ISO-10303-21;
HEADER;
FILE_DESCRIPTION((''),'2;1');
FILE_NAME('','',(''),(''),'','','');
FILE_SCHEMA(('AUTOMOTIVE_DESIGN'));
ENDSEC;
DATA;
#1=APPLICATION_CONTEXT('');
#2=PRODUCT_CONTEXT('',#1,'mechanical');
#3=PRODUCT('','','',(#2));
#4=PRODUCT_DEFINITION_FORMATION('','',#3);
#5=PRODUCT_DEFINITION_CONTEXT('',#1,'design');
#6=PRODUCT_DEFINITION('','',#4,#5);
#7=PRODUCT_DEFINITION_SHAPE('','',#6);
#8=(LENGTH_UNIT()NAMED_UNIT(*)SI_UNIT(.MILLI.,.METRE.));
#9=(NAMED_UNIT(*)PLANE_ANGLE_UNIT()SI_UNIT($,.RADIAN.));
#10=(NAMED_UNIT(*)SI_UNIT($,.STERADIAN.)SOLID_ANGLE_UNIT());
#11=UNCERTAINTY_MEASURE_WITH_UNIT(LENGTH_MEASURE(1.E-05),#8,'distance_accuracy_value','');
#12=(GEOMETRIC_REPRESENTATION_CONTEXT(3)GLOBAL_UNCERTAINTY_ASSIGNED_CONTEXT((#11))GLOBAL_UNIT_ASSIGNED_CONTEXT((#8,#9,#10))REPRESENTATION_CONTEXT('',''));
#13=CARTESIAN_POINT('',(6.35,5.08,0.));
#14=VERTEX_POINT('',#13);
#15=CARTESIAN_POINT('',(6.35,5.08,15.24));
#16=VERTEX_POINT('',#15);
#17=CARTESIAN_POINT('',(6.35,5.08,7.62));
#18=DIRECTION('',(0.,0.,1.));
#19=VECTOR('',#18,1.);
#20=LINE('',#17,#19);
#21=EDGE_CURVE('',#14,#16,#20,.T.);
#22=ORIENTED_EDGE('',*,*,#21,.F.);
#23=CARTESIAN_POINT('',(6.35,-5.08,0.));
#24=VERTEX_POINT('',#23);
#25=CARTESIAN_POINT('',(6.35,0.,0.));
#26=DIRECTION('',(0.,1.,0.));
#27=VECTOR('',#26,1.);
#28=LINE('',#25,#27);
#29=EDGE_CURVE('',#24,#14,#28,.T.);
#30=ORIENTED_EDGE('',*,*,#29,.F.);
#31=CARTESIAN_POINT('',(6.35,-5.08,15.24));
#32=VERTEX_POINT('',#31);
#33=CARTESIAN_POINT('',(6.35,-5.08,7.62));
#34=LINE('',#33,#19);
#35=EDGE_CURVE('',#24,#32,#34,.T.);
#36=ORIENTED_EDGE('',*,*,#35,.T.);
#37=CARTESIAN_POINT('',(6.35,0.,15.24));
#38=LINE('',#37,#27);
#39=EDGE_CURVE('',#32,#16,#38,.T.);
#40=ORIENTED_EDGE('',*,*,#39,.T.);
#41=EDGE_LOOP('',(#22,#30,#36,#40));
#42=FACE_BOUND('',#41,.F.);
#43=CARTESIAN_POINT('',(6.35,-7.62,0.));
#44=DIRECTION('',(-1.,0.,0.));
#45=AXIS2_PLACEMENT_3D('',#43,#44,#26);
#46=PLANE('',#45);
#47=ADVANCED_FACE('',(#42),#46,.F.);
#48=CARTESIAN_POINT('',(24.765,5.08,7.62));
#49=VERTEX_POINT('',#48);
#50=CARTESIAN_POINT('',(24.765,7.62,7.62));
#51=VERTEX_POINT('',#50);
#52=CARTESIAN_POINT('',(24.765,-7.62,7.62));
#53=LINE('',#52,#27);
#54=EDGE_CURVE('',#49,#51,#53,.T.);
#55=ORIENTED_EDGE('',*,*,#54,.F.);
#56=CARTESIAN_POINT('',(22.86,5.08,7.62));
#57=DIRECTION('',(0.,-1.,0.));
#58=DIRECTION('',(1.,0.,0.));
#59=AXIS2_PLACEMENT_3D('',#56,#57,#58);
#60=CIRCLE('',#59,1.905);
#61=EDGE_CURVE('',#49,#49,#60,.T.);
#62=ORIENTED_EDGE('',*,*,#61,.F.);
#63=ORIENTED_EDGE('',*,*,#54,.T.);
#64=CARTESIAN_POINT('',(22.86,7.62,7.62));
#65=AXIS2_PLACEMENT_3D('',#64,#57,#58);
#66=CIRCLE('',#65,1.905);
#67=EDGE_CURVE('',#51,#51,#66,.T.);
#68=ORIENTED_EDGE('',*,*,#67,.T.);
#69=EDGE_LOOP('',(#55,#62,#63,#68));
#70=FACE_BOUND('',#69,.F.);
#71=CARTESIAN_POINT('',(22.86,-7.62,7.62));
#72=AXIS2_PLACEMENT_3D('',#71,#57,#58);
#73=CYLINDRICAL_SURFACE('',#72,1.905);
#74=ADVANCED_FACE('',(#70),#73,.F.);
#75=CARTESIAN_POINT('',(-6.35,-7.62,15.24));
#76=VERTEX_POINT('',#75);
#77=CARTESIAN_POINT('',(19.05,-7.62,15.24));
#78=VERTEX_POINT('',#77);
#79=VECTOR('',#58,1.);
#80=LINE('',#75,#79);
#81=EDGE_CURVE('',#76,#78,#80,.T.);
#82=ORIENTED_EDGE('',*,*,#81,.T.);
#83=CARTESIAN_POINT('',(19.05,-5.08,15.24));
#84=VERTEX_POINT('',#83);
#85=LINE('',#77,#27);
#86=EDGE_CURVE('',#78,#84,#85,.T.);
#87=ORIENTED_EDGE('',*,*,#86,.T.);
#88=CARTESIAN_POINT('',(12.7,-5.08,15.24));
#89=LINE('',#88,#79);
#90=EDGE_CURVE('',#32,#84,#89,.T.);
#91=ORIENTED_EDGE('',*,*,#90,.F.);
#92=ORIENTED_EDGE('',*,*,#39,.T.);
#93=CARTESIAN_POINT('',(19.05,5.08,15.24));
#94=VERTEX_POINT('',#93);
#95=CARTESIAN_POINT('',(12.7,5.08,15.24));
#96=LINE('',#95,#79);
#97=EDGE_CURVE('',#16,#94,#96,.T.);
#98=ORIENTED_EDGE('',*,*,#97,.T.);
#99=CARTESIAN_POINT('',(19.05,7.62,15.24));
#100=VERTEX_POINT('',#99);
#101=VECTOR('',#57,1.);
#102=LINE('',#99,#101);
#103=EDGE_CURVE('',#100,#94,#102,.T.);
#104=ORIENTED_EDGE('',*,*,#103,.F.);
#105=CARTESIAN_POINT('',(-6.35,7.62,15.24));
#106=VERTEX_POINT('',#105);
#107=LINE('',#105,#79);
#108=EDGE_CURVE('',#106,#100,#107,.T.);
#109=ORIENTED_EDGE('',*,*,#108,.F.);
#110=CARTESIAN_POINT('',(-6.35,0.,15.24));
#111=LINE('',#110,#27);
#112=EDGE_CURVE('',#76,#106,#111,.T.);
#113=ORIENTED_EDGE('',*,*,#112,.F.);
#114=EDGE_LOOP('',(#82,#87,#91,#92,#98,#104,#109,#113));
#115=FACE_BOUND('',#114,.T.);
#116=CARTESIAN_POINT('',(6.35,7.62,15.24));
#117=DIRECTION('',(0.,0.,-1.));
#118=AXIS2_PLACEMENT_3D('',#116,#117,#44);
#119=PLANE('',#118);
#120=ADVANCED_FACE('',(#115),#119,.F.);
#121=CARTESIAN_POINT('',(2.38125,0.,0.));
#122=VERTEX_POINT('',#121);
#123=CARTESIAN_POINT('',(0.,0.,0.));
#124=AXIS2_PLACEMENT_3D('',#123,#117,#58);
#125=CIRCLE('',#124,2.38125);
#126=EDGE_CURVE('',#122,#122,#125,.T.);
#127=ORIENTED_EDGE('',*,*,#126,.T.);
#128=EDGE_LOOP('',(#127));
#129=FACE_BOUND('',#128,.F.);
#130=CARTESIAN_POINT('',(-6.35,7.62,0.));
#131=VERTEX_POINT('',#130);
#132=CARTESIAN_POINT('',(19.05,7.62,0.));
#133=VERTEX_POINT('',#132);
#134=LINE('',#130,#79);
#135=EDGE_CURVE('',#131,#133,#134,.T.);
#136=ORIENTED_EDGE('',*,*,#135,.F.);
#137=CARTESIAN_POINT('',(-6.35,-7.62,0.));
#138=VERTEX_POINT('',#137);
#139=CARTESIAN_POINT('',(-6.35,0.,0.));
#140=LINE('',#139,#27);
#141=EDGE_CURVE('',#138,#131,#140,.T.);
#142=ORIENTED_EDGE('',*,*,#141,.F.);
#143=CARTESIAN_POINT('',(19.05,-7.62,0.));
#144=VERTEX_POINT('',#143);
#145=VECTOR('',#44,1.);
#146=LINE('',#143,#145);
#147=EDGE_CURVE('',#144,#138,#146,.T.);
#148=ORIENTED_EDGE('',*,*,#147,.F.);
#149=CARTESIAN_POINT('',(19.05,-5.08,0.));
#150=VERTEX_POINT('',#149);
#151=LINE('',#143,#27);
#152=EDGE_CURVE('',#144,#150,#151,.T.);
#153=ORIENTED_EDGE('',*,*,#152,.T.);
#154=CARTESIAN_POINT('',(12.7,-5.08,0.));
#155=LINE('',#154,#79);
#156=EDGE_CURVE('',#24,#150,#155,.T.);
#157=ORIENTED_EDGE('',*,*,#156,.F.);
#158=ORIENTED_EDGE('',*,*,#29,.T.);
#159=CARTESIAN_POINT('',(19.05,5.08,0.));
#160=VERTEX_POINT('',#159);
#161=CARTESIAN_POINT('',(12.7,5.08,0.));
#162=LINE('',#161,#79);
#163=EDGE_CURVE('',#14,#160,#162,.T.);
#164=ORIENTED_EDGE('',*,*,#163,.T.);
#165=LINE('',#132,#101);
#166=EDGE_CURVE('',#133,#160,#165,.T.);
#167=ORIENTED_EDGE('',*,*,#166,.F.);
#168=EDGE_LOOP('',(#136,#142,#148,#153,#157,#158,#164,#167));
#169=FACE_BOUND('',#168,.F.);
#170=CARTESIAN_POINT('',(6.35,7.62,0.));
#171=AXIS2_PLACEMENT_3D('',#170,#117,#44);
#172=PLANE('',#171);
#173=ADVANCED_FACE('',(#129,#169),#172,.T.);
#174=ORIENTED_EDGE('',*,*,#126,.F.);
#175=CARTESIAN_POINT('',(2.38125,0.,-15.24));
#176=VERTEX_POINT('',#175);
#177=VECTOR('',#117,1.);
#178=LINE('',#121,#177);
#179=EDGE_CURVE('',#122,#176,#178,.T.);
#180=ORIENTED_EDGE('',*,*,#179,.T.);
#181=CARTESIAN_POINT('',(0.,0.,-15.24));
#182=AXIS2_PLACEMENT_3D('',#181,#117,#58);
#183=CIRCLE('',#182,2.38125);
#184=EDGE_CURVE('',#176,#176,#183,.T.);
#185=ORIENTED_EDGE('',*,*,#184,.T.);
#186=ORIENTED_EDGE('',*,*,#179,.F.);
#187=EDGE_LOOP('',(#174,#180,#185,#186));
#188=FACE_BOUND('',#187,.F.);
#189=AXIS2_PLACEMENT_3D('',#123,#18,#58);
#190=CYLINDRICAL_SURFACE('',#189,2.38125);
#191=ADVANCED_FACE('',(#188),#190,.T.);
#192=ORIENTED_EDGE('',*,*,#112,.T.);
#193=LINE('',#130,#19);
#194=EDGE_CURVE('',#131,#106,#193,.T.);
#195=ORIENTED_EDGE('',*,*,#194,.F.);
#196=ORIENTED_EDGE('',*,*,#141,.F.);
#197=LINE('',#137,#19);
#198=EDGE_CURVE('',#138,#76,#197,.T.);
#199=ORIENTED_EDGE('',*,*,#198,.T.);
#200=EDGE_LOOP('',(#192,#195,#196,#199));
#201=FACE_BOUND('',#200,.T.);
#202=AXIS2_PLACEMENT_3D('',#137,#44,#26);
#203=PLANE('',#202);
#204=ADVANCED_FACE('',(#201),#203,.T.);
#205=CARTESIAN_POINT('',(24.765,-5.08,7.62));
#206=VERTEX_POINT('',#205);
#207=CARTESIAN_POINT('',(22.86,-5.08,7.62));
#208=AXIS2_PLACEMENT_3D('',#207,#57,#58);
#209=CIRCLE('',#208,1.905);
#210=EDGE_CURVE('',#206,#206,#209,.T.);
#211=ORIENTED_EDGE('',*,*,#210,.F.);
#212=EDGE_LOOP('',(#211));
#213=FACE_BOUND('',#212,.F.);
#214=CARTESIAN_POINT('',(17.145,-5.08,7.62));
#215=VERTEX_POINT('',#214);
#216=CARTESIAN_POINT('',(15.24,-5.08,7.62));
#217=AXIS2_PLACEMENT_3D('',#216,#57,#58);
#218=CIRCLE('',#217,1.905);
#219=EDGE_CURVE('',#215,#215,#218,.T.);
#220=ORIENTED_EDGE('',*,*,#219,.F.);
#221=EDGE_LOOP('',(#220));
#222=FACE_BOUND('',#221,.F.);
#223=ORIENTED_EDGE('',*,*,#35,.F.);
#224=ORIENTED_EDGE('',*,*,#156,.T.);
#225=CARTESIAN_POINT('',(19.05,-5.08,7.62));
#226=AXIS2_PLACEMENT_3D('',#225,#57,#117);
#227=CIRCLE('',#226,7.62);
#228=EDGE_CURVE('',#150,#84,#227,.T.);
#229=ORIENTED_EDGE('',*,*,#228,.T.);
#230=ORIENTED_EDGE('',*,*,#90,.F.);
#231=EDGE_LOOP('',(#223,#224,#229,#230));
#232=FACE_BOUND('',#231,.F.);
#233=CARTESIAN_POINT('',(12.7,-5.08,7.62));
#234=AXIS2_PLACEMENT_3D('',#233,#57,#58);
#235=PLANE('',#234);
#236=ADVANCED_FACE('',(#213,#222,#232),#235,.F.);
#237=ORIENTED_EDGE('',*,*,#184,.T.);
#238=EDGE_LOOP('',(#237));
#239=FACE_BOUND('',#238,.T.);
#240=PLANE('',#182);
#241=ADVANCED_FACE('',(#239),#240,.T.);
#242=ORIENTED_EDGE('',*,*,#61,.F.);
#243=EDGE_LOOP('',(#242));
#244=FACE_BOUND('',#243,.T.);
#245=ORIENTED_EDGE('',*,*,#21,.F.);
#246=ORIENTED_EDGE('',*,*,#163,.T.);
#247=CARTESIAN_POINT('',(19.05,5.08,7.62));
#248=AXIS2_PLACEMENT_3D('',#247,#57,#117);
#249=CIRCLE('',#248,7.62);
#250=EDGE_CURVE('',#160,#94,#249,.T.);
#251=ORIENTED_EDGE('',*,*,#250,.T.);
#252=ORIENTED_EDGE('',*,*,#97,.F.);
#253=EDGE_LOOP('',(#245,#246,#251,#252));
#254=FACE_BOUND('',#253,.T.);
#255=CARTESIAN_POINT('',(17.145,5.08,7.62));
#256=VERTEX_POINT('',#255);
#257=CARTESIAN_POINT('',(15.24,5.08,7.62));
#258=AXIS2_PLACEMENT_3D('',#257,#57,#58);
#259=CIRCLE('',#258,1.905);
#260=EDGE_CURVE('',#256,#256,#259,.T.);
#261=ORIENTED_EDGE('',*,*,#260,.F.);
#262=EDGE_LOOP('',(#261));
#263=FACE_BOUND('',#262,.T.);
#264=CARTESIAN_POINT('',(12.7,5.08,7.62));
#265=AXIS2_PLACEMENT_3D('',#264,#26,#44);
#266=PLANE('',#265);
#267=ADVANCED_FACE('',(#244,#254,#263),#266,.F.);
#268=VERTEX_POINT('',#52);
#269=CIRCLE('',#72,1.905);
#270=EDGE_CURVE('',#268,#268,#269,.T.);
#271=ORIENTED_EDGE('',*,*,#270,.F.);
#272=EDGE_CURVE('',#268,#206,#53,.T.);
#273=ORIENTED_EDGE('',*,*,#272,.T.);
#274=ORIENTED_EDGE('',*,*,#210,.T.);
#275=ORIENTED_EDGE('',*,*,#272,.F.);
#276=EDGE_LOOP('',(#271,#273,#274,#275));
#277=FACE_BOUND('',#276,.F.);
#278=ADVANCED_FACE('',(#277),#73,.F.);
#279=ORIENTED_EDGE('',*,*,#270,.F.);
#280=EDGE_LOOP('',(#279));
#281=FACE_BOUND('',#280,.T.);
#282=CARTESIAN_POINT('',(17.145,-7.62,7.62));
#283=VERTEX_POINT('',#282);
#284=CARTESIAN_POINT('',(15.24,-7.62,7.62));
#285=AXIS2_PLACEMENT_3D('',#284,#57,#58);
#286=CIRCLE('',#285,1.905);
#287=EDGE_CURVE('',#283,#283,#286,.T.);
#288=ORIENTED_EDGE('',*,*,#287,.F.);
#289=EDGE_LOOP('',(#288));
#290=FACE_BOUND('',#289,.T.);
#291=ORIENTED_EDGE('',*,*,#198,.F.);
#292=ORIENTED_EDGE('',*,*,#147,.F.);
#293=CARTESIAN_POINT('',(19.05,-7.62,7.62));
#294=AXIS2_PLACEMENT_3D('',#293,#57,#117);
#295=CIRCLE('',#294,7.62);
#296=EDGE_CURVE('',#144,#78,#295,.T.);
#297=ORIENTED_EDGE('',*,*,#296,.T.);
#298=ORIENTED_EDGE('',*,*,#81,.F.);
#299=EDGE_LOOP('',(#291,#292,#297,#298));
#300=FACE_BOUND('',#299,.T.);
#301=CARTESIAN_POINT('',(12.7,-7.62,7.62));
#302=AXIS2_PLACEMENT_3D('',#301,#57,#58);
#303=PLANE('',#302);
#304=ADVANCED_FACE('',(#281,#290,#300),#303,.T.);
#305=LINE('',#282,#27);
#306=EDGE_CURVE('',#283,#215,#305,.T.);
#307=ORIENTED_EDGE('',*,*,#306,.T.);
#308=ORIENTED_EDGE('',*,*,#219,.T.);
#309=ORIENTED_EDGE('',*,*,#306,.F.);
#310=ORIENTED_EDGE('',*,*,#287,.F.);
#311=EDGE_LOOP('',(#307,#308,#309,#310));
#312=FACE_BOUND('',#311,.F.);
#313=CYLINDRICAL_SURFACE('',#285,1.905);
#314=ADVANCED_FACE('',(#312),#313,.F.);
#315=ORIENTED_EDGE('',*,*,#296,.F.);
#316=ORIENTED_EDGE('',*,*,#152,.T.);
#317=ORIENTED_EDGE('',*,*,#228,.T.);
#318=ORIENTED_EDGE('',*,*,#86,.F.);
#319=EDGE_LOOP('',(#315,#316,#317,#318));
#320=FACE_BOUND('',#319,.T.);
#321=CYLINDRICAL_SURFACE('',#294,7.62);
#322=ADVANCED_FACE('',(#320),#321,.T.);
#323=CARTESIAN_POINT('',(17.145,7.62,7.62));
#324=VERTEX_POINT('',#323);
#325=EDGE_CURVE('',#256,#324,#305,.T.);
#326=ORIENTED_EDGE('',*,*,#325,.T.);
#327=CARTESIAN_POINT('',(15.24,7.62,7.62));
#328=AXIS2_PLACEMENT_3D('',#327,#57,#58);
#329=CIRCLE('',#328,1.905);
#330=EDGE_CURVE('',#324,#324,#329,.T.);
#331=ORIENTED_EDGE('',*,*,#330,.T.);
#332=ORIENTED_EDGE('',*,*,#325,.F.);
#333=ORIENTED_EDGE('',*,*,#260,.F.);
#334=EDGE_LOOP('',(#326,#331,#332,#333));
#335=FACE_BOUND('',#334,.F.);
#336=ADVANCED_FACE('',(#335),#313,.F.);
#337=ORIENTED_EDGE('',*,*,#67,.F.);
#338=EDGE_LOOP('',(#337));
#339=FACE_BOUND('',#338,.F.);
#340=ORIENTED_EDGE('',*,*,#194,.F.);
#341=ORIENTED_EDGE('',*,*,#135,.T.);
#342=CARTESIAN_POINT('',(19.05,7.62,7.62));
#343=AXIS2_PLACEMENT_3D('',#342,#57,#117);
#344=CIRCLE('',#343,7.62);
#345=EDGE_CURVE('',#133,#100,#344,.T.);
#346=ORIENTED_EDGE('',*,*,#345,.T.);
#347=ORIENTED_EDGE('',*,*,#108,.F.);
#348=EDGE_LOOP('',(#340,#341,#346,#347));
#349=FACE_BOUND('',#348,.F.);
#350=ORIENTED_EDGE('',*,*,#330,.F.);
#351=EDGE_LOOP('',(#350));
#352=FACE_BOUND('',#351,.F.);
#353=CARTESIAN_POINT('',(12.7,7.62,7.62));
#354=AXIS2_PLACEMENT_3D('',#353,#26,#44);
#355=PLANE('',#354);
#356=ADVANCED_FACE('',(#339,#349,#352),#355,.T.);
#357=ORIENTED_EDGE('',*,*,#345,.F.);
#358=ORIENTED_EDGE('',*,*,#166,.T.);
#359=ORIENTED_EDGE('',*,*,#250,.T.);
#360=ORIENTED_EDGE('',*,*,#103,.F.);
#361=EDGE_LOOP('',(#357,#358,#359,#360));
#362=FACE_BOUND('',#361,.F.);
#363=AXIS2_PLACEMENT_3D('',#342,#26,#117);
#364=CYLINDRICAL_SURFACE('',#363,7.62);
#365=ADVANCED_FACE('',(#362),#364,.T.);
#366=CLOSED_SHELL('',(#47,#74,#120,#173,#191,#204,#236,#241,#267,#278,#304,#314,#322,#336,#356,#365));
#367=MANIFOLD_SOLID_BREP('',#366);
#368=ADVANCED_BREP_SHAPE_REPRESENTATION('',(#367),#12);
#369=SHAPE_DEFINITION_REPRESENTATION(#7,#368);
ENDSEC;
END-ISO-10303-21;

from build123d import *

# Parameters (mm, degrees)
F0_W     = 12.7
F0_H     = 15.24
F1_DEPTH = 15.24
F2_R     = 2.38125
F3_DEPTH = 15.24
F4_W     = 12.7
F4_H     = 15.24
F5_DEPTH = 2.54
F7_R     = 1.905
F8_DEPTH = 15.241


with BuildPart() as f1:
    # F0 (on Top) → F1 (new body)
    with BuildSketch(Plane.XY):
        Rectangle(F0_W, F0_H)
    extrude(amount=F1_DEPTH)

    # F2 (on face) → F3 (join)
    with BuildSketch(Plane(origin=(0, 0, 0), x_dir=(1, 0, 0), z_dir=(0, 0, -1))):
        Circle(F2_R)
    extrude(amount=F3_DEPTH)

    # F4 (on face) → F5 (join)
    with BuildSketch(Plane.XZ.offset(7.62)):
        with Locations((12.7, 7.62)):
            Rectangle(F4_W, F4_H)
        with BuildLine():
            ThreePointArc((19.05, 0), (26.67, 7.62), (19.05, 15.24))
            Line((19.05, 15.24), (19.05, 0))
        make_face()
    extrude(amount=-F5_DEPTH)

    # F6: F1 across plane


with BuildPart() as f1_1:
    add(f1.part)
    add(f1.part.mirror(Plane.XZ))

    # F7 (on face) → F8 (cut, through all)
    with BuildSketch(Plane.XZ.offset(7.62)):
        with Locations((15.24, 7.62)):
            Circle(F7_R)
        with Locations((22.86, 7.62)):
            Circle(F7_R)
    extrude(amount=-F8_DEPTH, mode=Mode.SUBTRACT)


solid = f1_1.part
